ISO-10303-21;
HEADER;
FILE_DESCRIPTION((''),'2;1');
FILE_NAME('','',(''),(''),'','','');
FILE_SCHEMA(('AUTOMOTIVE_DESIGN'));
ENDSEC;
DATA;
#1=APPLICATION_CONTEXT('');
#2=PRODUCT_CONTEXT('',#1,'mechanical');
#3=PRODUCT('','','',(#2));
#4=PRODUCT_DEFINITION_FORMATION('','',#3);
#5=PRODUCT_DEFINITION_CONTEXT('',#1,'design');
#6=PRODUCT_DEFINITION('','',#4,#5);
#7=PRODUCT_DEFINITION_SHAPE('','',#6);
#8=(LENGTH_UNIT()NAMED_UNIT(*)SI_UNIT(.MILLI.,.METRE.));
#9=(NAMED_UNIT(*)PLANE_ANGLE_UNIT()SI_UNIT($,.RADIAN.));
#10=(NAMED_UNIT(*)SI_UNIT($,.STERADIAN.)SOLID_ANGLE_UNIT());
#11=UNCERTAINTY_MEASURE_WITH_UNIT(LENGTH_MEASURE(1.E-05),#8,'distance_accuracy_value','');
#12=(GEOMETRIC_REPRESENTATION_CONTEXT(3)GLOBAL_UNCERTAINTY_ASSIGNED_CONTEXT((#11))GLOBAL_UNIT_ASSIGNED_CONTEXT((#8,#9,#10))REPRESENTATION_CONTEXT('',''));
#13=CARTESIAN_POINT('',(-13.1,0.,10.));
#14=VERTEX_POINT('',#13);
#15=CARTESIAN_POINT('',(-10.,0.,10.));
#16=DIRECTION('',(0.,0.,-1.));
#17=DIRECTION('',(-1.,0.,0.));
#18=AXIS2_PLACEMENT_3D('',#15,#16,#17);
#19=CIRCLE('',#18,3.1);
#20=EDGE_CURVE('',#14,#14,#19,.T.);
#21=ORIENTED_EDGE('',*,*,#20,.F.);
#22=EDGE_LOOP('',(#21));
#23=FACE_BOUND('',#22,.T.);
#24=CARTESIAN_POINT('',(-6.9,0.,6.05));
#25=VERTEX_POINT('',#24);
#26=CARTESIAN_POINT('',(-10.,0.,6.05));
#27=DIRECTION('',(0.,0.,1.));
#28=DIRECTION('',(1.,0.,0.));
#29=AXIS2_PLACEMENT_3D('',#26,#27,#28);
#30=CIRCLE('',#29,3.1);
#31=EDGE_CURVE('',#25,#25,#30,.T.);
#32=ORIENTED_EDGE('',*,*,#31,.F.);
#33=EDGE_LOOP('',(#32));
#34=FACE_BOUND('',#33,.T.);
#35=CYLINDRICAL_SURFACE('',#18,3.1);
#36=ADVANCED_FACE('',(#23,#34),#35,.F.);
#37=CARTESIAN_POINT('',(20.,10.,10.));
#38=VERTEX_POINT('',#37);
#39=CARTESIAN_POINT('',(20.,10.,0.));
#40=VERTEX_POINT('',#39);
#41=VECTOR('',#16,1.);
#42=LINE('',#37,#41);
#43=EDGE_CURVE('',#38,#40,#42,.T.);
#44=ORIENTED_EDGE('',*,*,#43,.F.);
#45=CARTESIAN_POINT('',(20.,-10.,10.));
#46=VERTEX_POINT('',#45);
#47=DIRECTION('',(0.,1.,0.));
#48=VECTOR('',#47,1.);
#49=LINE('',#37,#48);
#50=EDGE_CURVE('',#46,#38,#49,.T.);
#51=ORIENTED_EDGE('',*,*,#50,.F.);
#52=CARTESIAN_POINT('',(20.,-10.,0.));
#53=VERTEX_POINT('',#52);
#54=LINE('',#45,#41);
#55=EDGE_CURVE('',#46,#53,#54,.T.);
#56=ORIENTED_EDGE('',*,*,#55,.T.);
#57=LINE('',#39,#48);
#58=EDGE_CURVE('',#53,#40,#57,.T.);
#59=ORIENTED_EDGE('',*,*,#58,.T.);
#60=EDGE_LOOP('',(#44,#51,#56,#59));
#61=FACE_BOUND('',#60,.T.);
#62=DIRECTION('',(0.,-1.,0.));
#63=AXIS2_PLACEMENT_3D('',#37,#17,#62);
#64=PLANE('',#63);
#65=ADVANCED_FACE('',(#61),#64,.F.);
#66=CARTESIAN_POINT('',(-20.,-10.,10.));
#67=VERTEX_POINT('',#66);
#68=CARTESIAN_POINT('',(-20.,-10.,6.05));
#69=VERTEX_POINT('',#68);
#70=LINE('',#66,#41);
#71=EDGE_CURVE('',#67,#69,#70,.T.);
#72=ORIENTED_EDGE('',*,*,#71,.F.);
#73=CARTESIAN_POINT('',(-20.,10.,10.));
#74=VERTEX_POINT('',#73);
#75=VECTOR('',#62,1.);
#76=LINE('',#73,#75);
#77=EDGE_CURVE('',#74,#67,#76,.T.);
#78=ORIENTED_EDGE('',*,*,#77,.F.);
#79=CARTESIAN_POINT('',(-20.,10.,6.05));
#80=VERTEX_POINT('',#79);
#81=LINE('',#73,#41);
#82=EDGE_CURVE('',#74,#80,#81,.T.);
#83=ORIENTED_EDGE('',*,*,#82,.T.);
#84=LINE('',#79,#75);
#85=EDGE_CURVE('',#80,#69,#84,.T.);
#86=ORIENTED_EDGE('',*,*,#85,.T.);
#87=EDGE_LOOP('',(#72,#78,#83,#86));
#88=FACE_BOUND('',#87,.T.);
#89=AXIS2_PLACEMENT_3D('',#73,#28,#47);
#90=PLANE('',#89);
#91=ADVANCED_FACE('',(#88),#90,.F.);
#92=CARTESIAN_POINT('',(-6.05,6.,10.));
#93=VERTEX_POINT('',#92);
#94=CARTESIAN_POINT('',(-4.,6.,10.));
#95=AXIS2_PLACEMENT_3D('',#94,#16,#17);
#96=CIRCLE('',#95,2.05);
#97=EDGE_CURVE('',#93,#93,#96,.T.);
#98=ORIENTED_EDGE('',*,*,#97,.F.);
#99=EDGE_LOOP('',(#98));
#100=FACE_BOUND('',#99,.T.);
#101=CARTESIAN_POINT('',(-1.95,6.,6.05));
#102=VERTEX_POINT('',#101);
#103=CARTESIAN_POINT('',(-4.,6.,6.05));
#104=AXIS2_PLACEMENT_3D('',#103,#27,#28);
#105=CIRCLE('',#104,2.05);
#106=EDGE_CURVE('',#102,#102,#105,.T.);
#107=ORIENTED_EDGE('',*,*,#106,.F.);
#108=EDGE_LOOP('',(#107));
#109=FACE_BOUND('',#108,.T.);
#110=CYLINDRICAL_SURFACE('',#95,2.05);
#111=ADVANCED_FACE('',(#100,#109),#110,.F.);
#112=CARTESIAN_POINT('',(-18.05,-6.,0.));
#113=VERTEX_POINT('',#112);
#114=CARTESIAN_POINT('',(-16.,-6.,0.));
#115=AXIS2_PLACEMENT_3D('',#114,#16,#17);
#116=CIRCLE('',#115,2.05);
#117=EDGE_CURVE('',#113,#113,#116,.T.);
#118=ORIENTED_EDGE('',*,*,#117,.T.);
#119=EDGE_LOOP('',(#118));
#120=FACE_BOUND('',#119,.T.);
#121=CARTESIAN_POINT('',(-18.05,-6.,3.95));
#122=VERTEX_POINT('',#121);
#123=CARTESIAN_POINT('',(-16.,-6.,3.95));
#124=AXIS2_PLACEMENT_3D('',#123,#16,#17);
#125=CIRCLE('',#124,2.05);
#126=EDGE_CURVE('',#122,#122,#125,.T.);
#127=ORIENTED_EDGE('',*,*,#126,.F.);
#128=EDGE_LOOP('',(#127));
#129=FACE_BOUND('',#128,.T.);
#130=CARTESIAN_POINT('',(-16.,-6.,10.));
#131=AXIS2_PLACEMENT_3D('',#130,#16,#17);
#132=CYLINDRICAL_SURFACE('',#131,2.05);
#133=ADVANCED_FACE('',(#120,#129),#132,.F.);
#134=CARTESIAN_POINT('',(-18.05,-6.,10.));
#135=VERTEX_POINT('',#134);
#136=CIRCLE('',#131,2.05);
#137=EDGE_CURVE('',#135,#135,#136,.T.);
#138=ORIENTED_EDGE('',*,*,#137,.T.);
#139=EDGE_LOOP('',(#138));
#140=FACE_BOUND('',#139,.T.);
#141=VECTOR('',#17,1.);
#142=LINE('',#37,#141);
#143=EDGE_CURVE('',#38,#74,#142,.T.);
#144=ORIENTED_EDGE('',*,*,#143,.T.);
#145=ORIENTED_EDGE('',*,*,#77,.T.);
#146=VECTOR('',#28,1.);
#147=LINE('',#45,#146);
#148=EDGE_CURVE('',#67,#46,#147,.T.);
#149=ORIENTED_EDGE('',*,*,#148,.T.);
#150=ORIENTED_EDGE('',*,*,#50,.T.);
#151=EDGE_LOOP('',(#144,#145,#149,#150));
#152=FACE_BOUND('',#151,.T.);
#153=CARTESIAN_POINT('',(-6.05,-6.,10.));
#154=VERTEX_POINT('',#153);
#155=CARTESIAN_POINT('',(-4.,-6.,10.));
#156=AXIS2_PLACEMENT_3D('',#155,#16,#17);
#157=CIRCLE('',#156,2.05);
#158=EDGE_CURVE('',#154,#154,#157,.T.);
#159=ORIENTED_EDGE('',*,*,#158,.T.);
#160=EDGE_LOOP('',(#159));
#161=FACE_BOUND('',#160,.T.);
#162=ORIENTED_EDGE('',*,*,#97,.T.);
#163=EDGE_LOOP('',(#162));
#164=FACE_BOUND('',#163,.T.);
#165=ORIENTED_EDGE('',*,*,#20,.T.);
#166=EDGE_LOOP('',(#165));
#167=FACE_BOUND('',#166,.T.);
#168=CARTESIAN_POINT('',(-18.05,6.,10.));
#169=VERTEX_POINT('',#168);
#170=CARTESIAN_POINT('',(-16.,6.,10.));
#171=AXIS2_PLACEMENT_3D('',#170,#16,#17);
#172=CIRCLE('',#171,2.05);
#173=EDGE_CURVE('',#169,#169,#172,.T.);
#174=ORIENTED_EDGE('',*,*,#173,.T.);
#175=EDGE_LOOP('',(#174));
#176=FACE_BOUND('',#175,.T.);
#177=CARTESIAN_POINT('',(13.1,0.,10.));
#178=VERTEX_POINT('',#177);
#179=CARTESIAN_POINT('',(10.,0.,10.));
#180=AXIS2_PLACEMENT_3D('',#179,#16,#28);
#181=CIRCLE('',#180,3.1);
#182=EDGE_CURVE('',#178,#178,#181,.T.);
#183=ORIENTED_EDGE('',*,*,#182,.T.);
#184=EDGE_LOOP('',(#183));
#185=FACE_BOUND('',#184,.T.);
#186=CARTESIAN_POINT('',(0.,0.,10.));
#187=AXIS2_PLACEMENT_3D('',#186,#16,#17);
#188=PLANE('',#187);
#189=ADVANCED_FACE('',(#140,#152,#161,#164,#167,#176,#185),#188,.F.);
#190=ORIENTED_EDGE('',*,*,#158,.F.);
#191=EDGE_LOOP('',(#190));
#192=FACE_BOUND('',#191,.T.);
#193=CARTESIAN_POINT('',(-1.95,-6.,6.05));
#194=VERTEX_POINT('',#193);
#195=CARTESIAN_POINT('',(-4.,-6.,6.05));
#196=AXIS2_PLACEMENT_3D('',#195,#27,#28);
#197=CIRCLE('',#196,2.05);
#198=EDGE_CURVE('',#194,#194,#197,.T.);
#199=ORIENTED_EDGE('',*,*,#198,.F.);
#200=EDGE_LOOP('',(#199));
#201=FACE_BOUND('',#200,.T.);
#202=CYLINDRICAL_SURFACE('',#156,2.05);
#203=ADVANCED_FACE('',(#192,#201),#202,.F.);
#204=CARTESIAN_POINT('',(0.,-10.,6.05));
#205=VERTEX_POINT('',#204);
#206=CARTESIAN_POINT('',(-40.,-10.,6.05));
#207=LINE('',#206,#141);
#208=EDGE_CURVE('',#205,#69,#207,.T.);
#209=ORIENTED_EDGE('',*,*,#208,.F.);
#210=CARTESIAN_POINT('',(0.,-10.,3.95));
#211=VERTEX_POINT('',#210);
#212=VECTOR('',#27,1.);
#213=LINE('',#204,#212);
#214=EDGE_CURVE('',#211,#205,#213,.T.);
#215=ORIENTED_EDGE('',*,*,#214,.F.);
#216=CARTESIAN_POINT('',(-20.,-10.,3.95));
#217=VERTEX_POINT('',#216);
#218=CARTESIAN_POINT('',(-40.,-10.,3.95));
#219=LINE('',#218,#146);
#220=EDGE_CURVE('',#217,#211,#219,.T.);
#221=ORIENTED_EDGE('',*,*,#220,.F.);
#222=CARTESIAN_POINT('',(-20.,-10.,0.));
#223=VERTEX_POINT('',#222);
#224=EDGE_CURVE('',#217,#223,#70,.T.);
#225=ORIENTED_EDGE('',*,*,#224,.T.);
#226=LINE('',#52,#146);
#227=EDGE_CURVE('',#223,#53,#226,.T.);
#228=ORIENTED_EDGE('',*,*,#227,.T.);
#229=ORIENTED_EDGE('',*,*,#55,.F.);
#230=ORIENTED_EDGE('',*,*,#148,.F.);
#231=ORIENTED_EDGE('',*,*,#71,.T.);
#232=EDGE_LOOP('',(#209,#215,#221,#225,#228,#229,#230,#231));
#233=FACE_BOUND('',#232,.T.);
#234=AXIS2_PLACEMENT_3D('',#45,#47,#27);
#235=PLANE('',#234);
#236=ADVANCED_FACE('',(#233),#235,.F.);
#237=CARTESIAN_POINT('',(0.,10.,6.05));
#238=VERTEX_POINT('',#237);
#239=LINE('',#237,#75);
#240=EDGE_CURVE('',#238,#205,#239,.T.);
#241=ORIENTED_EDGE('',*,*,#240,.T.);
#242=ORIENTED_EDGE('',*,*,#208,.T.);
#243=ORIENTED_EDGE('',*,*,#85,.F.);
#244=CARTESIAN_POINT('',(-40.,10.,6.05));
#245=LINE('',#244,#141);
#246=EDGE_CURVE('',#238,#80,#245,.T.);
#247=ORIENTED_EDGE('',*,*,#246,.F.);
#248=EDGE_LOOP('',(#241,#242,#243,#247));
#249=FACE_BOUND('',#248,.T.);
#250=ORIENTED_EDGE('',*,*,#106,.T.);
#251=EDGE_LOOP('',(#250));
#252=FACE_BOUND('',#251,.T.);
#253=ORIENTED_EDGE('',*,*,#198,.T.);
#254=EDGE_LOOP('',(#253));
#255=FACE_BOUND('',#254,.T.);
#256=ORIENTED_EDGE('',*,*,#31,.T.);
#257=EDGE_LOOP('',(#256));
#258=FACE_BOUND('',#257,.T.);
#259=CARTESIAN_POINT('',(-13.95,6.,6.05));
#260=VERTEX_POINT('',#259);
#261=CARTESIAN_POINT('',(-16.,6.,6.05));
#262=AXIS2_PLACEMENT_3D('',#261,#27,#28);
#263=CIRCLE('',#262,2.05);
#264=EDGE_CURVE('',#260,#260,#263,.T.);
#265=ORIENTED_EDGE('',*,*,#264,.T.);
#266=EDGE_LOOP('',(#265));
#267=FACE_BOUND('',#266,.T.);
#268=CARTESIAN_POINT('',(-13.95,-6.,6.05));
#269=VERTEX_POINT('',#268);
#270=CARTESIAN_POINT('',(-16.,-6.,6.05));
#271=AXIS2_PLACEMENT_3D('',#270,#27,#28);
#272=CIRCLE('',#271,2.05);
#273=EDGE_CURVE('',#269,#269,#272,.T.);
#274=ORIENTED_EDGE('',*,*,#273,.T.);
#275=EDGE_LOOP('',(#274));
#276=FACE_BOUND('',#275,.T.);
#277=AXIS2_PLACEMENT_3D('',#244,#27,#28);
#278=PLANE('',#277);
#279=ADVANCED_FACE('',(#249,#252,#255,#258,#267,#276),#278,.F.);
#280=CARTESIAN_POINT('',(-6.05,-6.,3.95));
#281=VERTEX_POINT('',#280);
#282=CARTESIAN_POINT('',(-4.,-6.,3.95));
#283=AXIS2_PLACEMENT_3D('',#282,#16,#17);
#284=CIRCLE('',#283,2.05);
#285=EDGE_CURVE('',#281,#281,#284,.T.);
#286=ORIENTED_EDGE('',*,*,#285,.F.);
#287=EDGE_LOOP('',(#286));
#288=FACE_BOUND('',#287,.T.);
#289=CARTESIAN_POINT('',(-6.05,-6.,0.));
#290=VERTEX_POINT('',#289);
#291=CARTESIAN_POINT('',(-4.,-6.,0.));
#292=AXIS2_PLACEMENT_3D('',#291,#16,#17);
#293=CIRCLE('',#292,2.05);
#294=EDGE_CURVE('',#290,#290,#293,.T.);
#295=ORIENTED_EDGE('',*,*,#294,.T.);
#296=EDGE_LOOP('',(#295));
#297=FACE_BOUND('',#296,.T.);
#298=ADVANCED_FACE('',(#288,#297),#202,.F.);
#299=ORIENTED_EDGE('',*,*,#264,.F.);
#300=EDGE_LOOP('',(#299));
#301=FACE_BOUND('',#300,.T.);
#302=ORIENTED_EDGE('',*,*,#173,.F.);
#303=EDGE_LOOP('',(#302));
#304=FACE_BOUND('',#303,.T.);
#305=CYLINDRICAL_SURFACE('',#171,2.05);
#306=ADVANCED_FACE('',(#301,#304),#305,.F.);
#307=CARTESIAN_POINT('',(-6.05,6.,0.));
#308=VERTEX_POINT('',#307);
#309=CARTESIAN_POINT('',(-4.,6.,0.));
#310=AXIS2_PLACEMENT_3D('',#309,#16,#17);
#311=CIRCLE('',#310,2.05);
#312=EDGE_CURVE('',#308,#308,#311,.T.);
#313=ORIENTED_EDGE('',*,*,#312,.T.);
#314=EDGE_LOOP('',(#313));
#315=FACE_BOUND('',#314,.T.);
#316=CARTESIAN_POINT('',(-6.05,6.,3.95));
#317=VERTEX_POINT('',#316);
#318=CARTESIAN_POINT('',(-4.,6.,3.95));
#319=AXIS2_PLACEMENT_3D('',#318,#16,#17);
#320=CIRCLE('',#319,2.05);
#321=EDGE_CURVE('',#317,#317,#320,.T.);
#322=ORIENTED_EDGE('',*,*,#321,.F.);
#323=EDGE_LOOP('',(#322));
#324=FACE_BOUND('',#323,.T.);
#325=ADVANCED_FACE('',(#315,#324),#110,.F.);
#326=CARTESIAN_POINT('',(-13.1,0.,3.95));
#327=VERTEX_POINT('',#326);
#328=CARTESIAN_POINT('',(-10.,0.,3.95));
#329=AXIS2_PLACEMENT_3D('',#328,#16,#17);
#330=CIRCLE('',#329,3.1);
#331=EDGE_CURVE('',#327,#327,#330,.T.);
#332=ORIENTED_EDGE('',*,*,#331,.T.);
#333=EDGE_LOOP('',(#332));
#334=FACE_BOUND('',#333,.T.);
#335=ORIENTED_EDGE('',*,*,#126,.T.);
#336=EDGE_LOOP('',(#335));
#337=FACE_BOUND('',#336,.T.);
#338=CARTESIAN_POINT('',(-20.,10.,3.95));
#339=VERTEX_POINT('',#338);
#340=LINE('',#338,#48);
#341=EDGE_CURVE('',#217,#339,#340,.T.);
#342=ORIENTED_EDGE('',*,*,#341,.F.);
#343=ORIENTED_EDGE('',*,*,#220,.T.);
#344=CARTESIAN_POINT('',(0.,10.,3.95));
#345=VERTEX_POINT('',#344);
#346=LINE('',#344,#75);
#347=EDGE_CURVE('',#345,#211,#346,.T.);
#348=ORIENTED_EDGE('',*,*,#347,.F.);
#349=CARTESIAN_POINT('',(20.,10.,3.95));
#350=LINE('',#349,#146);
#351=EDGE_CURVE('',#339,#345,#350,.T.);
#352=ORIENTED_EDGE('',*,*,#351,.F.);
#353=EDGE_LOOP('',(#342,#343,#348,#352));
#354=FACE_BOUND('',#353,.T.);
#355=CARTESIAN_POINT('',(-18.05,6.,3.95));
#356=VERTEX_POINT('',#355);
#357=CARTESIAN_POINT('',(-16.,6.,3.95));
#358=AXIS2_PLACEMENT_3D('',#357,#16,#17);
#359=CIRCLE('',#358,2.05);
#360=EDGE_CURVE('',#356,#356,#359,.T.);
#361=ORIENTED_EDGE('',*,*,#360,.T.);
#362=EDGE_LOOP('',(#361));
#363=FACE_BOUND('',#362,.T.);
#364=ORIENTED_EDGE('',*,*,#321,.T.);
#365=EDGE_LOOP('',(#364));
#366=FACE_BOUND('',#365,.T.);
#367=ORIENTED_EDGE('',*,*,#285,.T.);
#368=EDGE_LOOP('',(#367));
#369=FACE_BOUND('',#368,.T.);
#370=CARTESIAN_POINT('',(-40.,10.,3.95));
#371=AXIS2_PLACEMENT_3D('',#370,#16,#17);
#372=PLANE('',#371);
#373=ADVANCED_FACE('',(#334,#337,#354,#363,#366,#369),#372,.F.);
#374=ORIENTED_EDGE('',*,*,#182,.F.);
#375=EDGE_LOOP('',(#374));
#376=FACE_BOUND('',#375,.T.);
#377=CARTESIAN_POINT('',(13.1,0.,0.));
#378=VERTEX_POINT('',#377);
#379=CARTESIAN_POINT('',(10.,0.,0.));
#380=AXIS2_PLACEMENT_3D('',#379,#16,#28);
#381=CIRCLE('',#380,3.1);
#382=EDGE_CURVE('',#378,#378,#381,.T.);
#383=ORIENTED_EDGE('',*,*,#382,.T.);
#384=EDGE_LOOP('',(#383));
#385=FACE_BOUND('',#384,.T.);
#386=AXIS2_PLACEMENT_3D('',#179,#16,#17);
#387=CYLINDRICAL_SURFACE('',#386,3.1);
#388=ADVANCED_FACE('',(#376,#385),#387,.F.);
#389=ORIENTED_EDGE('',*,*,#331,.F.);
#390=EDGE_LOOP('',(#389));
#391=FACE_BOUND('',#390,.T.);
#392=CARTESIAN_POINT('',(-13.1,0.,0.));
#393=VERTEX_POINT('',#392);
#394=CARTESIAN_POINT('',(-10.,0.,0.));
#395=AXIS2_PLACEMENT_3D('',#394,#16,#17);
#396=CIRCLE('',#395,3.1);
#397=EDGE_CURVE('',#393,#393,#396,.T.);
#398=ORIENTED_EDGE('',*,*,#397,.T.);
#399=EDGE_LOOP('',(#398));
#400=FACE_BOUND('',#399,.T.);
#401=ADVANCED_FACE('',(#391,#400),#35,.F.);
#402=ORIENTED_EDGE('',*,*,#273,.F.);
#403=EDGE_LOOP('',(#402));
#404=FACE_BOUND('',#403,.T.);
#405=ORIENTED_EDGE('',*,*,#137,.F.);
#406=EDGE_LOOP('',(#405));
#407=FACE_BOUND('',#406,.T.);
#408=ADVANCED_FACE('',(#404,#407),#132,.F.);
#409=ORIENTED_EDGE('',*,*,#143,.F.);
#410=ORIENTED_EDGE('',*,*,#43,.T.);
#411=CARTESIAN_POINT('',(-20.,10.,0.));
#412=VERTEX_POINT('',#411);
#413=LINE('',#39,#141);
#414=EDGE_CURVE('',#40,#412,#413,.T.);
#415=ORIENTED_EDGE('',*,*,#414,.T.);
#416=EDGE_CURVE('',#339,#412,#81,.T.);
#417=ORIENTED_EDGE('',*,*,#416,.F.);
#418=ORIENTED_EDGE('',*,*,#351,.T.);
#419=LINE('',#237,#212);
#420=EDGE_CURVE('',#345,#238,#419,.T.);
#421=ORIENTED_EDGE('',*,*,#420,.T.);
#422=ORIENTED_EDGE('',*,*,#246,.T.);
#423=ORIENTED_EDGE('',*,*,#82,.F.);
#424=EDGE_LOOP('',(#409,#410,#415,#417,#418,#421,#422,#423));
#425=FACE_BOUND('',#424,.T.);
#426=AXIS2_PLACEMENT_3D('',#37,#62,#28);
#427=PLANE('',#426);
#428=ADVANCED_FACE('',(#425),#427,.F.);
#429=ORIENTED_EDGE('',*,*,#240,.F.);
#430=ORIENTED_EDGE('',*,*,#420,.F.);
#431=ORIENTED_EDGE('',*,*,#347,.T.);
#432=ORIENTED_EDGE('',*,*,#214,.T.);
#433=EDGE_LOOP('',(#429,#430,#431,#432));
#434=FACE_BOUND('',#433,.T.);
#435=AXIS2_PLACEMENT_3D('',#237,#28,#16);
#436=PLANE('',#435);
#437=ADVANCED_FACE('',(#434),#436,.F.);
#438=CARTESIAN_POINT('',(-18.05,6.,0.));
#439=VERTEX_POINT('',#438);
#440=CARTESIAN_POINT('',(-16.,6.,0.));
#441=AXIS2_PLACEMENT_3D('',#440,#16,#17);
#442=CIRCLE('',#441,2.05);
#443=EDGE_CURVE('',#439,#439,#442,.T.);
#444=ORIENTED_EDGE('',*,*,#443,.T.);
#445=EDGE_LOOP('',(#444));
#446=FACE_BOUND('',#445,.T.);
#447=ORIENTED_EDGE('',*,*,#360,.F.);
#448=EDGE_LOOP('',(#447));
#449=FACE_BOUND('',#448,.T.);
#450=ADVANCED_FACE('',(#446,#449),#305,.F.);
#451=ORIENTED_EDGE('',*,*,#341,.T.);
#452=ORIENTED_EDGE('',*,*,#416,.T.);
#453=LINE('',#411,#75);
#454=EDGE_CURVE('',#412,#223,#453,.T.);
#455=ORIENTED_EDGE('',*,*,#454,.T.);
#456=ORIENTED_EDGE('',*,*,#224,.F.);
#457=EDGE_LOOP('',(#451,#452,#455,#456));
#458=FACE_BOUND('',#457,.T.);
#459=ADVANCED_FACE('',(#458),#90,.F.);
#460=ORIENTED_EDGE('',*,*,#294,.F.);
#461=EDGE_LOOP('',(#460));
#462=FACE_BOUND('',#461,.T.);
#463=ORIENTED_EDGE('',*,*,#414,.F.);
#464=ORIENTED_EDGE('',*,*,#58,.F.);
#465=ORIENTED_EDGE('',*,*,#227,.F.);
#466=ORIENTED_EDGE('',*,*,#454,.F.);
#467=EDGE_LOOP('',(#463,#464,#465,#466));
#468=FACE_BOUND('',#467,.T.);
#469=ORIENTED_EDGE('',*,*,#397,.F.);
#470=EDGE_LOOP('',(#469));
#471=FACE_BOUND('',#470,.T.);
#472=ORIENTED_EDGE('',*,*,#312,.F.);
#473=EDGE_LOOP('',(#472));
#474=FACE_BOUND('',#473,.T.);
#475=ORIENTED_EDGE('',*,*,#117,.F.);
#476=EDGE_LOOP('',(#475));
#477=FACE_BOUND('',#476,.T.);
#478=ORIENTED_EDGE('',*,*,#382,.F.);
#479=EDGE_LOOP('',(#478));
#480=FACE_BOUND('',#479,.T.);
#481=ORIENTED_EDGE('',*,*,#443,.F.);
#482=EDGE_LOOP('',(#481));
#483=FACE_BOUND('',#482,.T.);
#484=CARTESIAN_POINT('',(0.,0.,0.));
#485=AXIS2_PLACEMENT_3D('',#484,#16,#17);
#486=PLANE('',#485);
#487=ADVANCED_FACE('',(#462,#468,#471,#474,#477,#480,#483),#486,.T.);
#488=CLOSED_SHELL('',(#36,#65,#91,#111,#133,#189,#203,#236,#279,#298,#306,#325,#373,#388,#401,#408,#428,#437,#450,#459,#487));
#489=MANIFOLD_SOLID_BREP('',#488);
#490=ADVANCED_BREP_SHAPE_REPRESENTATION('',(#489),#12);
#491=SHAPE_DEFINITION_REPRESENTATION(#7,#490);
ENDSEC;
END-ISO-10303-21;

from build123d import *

# Parameters (mm, degrees)
ESQUISSE1_W             = 40
ESQUISSE1_H             = 20
BOSS_EXTRU_1_DEPTH      = 10
ESQUISSE3_W             = 40
ESQUISSE3_H             = 2.1
ENL_V_MAT_EXTRU_2_DEPTH = 31
ESQUISSE4_R             = 2.05
ENL_V_MAT_EXTRU_3_DEPTH = 25.494897428
ESQUISSE5_R             = 3.1
ENL_V_MAT_EXTRU_4_DEPTH = 10


with BuildPart() as part:
    # Esquisse1 → Boss.-Extru.1 (new body)
    with BuildSketch(Plane.XY):
        Rectangle(ESQUISSE1_W, ESQUISSE1_H)
    extrude(amount=BOSS_EXTRU_1_DEPTH)

    # Esquisse3 → Enlèv. mat.-Extru.2 (cut, through all)
    with BuildSketch(Plane(origin=(0, -10, 0), x_dir=(-1, 0, 0), z_dir=(0, -1, 0))):
        with Locations((20, -5)):
            Rectangle(ESQUISSE3_W, ESQUISSE3_H)
    extrude(amount=-ENL_V_MAT_EXTRU_2_DEPTH, mode=Mode.SUBTRACT)

    # Esquisse4 → Enlèv. mat.-Extru.3 (cut, through all)
    with BuildSketch(Plane(origin=(0, 0, 0), x_dir=(-1, 0, 0), z_dir=(0, 0, -1))):
        with Locations((16, 6)):
            Circle(ESQUISSE4_R)
        with Locations((4, 6)):
            Circle(ESQUISSE4_R)
        with Locations((4, -6)):
            Circle(ESQUISSE4_R)
        with Locations((16, -6)):
            Circle(ESQUISSE4_R)
    extrude(amount=-ENL_V_MAT_EXTRU_3_DEPTH, mode=Mode.SUBTRACT)

    # Esquisse5 → Enlèv. mat.-Extru.4 (cut)
    with BuildSketch(Plane(origin=(0, 0, 0), x_dir=(-1, 0, 0), z_dir=(0, 0, -1))):
        with Locations((10, 0)):
            Circle(ESQUISSE5_R)
        with Locations(Location((-10, 0, 0), (0, 0, 180))):
            Circle(ESQUISSE5_R)
    extrude(amount=-ENL_V_MAT_EXTRU_4_DEPTH, mode=Mode.SUBTRACT)


solid = part.part
